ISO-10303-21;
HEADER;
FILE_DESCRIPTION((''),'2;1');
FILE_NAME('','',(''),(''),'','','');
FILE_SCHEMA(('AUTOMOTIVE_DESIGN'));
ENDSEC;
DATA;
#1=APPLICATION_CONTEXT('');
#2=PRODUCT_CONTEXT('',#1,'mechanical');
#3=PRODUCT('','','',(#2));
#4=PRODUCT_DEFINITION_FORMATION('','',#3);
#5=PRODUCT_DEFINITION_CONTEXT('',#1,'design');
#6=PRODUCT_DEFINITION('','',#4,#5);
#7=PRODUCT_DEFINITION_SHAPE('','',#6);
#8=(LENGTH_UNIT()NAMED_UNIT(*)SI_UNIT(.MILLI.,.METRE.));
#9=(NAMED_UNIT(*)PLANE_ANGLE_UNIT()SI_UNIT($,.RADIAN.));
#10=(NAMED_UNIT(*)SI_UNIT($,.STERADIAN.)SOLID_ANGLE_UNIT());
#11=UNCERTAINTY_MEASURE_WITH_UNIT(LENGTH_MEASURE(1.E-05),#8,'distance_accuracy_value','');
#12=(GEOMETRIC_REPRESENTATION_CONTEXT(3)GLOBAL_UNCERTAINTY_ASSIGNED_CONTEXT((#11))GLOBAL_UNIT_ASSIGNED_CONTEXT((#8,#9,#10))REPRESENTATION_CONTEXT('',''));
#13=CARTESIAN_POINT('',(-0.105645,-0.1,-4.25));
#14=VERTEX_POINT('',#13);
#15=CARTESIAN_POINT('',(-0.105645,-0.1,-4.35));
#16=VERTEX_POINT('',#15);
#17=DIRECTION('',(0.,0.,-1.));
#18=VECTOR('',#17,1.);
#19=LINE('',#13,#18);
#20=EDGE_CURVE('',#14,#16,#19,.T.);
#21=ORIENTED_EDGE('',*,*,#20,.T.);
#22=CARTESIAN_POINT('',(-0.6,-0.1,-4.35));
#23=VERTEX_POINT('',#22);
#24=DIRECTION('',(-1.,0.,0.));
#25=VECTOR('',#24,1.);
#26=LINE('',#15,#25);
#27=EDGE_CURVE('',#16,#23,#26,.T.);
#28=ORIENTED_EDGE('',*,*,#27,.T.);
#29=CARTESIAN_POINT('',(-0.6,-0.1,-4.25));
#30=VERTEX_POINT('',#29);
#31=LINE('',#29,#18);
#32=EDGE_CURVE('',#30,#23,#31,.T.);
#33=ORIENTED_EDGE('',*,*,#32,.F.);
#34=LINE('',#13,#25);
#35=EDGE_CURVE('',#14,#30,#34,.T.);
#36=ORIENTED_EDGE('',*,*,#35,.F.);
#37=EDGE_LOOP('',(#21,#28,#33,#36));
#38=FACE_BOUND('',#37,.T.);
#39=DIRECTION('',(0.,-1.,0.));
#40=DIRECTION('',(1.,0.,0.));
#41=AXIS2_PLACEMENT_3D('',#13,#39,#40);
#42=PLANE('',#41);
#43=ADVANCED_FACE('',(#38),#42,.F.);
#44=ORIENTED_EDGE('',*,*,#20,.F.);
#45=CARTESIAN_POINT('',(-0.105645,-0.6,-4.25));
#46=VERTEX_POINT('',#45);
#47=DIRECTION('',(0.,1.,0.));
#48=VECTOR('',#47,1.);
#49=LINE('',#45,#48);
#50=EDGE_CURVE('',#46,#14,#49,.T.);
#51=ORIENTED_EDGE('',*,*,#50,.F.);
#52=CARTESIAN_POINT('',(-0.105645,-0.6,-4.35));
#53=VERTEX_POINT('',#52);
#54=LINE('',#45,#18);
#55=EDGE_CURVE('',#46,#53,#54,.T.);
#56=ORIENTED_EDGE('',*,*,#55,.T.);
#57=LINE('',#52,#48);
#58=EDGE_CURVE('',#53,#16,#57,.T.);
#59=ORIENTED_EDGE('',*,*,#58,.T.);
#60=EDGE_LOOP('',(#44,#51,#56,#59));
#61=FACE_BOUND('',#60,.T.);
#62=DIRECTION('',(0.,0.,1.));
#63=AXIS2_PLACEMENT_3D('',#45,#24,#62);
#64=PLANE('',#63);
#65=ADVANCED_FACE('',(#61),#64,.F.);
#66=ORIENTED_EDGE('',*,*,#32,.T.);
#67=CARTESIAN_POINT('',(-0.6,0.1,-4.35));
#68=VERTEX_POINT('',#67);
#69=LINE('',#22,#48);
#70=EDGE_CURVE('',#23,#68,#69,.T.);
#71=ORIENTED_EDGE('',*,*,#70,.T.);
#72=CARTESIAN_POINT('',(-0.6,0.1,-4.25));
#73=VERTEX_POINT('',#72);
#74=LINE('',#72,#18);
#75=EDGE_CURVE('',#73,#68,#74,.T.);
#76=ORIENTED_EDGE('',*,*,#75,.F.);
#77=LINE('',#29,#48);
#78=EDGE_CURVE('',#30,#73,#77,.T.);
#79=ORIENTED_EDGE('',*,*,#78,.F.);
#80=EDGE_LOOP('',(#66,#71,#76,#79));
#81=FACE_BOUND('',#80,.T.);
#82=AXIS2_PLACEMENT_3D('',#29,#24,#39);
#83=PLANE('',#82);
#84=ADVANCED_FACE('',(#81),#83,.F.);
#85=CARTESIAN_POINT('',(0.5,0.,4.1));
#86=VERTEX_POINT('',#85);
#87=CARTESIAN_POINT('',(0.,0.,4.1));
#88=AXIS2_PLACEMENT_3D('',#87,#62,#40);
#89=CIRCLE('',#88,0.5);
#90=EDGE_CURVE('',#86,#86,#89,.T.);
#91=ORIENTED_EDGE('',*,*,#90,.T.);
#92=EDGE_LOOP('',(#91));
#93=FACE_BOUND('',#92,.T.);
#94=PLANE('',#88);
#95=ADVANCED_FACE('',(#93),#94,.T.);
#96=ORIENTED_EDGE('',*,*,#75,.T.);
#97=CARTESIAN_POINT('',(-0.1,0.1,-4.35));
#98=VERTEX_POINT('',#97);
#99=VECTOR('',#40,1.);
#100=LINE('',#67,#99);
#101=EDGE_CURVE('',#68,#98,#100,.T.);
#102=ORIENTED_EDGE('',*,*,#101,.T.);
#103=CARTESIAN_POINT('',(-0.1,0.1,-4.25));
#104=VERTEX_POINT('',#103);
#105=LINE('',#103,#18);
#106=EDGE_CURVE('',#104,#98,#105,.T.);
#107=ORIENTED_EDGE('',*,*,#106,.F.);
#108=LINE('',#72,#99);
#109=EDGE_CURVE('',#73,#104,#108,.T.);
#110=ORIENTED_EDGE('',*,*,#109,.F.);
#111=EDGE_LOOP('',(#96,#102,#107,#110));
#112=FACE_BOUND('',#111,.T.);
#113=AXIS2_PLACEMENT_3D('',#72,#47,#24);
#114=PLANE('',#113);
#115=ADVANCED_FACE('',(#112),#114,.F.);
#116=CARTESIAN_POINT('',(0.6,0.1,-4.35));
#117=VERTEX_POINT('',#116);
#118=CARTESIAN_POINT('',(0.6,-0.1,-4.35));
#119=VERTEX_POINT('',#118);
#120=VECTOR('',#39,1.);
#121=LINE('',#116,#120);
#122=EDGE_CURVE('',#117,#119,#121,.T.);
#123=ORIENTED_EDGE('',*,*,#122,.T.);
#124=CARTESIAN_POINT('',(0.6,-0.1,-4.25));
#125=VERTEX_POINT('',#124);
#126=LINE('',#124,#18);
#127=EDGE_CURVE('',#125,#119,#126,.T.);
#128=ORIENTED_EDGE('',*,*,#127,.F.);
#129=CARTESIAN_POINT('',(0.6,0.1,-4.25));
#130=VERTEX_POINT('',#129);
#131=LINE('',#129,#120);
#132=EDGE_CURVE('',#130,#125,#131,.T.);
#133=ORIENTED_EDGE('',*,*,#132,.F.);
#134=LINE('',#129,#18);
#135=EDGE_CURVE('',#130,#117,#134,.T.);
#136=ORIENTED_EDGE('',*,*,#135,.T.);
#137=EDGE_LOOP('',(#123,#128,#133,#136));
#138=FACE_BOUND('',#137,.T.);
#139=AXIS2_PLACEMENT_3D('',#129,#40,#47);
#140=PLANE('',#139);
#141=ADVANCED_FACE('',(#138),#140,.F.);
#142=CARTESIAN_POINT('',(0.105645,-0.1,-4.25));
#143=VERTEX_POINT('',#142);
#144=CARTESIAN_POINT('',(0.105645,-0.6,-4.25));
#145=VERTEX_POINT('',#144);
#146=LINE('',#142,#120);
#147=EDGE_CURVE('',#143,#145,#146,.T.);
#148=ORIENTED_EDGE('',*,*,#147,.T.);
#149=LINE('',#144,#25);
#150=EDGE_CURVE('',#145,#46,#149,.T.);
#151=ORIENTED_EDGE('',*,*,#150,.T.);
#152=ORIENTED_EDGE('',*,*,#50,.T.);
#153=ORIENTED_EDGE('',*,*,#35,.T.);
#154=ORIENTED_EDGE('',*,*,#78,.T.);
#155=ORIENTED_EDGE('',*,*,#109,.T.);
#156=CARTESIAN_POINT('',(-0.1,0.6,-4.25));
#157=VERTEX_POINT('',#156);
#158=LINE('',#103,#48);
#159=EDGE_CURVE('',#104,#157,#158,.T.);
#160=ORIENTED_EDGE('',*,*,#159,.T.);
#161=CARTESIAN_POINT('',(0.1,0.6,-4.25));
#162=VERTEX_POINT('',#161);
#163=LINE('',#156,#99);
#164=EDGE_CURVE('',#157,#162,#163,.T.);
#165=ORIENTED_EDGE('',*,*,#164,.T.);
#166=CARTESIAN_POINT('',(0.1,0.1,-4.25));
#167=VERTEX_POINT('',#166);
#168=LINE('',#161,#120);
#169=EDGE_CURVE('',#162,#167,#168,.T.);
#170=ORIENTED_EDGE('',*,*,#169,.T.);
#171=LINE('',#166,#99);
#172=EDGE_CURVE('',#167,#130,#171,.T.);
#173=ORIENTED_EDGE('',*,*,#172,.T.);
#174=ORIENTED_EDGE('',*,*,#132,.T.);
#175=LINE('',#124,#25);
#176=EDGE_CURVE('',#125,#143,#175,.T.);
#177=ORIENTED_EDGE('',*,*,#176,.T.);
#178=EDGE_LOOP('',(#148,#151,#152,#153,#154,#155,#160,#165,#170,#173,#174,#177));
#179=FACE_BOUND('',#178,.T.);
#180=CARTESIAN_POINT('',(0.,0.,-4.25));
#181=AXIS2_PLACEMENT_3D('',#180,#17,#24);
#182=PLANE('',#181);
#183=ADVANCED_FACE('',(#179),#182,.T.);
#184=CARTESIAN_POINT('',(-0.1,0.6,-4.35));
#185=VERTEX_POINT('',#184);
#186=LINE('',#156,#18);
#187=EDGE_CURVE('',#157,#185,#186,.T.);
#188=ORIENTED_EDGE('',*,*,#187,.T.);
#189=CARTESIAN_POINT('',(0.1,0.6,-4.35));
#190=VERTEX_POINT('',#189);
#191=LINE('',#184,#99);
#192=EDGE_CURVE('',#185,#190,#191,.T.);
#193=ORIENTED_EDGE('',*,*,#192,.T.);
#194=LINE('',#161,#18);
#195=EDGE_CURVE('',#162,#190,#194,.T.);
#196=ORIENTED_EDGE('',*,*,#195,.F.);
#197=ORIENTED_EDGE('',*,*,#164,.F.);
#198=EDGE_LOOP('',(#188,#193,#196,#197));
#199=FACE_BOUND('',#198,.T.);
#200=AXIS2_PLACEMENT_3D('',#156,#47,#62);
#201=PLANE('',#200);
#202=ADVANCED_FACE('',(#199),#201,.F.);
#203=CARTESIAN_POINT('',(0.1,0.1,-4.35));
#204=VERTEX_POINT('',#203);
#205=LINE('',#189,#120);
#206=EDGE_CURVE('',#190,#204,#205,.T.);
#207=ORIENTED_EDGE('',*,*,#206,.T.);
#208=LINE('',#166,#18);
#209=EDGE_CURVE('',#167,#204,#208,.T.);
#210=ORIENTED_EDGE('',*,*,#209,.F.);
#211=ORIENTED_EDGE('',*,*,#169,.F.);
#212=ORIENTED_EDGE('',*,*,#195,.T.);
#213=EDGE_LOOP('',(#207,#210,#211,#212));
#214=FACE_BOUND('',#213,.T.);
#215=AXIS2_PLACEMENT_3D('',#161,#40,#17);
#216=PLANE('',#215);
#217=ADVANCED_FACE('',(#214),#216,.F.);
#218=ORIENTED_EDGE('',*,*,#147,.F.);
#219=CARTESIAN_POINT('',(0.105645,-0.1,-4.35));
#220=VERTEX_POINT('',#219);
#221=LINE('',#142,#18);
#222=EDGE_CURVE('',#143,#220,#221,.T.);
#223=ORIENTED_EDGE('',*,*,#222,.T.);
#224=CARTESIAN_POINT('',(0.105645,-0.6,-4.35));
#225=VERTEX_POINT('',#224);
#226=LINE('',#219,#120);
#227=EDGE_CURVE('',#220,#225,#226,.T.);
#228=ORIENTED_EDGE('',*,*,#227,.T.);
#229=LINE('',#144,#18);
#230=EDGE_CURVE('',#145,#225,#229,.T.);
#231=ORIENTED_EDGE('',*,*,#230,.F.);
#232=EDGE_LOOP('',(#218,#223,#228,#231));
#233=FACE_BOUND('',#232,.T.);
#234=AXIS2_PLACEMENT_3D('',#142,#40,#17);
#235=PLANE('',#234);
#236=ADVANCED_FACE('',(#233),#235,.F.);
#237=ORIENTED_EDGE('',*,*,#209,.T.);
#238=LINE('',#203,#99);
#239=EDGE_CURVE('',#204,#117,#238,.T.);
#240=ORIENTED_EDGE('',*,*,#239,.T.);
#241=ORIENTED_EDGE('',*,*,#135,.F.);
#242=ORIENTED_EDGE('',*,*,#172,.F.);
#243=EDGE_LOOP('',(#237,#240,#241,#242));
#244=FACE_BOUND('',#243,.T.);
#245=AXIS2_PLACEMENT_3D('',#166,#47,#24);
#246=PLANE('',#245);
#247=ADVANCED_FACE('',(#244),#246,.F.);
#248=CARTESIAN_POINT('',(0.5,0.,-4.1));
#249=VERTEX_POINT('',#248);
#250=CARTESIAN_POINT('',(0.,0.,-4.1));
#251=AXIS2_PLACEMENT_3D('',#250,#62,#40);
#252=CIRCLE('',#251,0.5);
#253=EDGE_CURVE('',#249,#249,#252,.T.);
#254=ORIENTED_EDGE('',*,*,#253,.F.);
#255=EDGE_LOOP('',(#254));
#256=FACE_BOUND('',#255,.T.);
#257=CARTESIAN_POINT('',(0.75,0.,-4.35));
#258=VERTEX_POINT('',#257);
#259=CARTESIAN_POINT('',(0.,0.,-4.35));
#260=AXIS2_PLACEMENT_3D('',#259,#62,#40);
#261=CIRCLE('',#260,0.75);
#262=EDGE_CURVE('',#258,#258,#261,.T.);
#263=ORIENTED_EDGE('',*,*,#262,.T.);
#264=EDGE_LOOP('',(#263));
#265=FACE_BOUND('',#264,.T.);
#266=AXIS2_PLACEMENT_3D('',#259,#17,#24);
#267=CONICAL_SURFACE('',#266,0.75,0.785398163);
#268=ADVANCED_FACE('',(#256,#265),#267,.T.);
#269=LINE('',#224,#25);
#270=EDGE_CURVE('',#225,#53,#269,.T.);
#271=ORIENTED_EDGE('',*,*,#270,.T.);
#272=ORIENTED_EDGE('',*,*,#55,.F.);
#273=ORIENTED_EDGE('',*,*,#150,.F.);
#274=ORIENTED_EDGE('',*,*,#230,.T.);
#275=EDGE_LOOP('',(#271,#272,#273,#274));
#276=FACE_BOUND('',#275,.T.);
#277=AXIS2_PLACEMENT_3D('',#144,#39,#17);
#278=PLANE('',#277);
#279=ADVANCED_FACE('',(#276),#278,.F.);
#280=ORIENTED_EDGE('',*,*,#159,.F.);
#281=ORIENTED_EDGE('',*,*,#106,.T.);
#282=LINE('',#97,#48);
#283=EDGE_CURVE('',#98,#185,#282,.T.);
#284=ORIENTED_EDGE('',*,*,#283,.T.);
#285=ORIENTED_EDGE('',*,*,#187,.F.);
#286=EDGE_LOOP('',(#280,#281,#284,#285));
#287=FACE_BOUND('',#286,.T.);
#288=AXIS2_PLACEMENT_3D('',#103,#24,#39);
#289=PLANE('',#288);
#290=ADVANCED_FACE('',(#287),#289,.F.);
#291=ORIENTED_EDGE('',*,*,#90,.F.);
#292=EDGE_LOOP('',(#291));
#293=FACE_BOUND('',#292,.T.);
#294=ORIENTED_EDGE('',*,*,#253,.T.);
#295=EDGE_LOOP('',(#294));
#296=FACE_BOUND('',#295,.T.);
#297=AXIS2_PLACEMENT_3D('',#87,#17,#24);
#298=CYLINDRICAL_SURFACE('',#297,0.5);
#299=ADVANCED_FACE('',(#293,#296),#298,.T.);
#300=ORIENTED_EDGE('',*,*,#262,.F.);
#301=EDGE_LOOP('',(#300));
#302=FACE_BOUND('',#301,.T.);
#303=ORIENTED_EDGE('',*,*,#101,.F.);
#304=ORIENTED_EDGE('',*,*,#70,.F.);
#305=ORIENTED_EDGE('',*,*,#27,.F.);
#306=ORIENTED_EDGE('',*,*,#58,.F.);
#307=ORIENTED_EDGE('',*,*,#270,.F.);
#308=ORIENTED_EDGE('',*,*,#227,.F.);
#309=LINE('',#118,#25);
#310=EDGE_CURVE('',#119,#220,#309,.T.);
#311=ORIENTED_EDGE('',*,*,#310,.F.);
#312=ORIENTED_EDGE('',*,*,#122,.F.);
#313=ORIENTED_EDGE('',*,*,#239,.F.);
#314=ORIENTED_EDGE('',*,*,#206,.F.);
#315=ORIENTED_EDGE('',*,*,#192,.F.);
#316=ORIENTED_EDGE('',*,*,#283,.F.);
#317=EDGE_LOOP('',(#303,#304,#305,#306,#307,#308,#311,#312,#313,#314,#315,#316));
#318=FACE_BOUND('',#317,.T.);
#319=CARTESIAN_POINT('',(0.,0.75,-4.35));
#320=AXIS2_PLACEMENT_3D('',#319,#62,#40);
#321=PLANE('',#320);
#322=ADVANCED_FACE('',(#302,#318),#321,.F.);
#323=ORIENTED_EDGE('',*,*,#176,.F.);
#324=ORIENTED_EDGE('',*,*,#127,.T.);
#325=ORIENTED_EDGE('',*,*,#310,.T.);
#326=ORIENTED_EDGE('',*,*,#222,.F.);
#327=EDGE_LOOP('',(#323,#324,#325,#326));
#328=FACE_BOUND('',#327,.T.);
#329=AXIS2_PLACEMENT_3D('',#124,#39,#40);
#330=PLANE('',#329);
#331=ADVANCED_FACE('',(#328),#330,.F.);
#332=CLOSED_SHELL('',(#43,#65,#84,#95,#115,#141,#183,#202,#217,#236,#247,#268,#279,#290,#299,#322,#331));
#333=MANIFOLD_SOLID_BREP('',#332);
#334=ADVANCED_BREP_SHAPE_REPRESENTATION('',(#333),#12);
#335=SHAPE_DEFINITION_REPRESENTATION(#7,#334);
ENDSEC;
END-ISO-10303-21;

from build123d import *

# Parameters (mm, degrees)
SKETCH1_R           = 0.5
BOSS_EXTRUDE1_DEPTH = 4.1
CUT_EXTRUDE1_DEPTH  = 0.1


with BuildPart() as part:
    # Sketch1 → Boss-Extrude1 (new body, symmetric)
    with BuildSketch(Plane.XY):
        Circle(SKETCH1_R)
    extrude(amount=BOSS_EXTRUDE1_DEPTH, both=True)

    # Sketch2 → Revolve1 (revolve)
    with BuildSketch(Plane(origin=(0, 0, 0), x_dir=(0, 0, -1), z_dir=(1, 0, 0))):
        Polygon((4.35, 0.75), (4.35, 0), (4.1, 0), (4.1, 0.5), align=None)
    revolve(axis=Axis((0, 0, 2.0805), (0, 0, -1)))

    # Sketch3 → Cut-Extrude1 (cut)
    with BuildSketch(Plane(origin=(0, 0, -4.35), x_dir=(-1, 0, 0), z_dir=(0, 0, -1))):
        Polygon((0.1, 0.6), (-0.1, 0.6), (-0.1, 0.1), (-0.6, 0.1), (-0.6, -0.1), (-0.105645494, -0.1), (-0.105645494, -0.6), (0.105645494, -0.6), (0.105645494, -0.1), (0.6, -0.1), (0.6, 0.1), (0.1, 0.1), align=None)
    extrude(amount=-CUT_EXTRUDE1_DEPTH, mode=Mode.SUBTRACT)


solid = part.part
